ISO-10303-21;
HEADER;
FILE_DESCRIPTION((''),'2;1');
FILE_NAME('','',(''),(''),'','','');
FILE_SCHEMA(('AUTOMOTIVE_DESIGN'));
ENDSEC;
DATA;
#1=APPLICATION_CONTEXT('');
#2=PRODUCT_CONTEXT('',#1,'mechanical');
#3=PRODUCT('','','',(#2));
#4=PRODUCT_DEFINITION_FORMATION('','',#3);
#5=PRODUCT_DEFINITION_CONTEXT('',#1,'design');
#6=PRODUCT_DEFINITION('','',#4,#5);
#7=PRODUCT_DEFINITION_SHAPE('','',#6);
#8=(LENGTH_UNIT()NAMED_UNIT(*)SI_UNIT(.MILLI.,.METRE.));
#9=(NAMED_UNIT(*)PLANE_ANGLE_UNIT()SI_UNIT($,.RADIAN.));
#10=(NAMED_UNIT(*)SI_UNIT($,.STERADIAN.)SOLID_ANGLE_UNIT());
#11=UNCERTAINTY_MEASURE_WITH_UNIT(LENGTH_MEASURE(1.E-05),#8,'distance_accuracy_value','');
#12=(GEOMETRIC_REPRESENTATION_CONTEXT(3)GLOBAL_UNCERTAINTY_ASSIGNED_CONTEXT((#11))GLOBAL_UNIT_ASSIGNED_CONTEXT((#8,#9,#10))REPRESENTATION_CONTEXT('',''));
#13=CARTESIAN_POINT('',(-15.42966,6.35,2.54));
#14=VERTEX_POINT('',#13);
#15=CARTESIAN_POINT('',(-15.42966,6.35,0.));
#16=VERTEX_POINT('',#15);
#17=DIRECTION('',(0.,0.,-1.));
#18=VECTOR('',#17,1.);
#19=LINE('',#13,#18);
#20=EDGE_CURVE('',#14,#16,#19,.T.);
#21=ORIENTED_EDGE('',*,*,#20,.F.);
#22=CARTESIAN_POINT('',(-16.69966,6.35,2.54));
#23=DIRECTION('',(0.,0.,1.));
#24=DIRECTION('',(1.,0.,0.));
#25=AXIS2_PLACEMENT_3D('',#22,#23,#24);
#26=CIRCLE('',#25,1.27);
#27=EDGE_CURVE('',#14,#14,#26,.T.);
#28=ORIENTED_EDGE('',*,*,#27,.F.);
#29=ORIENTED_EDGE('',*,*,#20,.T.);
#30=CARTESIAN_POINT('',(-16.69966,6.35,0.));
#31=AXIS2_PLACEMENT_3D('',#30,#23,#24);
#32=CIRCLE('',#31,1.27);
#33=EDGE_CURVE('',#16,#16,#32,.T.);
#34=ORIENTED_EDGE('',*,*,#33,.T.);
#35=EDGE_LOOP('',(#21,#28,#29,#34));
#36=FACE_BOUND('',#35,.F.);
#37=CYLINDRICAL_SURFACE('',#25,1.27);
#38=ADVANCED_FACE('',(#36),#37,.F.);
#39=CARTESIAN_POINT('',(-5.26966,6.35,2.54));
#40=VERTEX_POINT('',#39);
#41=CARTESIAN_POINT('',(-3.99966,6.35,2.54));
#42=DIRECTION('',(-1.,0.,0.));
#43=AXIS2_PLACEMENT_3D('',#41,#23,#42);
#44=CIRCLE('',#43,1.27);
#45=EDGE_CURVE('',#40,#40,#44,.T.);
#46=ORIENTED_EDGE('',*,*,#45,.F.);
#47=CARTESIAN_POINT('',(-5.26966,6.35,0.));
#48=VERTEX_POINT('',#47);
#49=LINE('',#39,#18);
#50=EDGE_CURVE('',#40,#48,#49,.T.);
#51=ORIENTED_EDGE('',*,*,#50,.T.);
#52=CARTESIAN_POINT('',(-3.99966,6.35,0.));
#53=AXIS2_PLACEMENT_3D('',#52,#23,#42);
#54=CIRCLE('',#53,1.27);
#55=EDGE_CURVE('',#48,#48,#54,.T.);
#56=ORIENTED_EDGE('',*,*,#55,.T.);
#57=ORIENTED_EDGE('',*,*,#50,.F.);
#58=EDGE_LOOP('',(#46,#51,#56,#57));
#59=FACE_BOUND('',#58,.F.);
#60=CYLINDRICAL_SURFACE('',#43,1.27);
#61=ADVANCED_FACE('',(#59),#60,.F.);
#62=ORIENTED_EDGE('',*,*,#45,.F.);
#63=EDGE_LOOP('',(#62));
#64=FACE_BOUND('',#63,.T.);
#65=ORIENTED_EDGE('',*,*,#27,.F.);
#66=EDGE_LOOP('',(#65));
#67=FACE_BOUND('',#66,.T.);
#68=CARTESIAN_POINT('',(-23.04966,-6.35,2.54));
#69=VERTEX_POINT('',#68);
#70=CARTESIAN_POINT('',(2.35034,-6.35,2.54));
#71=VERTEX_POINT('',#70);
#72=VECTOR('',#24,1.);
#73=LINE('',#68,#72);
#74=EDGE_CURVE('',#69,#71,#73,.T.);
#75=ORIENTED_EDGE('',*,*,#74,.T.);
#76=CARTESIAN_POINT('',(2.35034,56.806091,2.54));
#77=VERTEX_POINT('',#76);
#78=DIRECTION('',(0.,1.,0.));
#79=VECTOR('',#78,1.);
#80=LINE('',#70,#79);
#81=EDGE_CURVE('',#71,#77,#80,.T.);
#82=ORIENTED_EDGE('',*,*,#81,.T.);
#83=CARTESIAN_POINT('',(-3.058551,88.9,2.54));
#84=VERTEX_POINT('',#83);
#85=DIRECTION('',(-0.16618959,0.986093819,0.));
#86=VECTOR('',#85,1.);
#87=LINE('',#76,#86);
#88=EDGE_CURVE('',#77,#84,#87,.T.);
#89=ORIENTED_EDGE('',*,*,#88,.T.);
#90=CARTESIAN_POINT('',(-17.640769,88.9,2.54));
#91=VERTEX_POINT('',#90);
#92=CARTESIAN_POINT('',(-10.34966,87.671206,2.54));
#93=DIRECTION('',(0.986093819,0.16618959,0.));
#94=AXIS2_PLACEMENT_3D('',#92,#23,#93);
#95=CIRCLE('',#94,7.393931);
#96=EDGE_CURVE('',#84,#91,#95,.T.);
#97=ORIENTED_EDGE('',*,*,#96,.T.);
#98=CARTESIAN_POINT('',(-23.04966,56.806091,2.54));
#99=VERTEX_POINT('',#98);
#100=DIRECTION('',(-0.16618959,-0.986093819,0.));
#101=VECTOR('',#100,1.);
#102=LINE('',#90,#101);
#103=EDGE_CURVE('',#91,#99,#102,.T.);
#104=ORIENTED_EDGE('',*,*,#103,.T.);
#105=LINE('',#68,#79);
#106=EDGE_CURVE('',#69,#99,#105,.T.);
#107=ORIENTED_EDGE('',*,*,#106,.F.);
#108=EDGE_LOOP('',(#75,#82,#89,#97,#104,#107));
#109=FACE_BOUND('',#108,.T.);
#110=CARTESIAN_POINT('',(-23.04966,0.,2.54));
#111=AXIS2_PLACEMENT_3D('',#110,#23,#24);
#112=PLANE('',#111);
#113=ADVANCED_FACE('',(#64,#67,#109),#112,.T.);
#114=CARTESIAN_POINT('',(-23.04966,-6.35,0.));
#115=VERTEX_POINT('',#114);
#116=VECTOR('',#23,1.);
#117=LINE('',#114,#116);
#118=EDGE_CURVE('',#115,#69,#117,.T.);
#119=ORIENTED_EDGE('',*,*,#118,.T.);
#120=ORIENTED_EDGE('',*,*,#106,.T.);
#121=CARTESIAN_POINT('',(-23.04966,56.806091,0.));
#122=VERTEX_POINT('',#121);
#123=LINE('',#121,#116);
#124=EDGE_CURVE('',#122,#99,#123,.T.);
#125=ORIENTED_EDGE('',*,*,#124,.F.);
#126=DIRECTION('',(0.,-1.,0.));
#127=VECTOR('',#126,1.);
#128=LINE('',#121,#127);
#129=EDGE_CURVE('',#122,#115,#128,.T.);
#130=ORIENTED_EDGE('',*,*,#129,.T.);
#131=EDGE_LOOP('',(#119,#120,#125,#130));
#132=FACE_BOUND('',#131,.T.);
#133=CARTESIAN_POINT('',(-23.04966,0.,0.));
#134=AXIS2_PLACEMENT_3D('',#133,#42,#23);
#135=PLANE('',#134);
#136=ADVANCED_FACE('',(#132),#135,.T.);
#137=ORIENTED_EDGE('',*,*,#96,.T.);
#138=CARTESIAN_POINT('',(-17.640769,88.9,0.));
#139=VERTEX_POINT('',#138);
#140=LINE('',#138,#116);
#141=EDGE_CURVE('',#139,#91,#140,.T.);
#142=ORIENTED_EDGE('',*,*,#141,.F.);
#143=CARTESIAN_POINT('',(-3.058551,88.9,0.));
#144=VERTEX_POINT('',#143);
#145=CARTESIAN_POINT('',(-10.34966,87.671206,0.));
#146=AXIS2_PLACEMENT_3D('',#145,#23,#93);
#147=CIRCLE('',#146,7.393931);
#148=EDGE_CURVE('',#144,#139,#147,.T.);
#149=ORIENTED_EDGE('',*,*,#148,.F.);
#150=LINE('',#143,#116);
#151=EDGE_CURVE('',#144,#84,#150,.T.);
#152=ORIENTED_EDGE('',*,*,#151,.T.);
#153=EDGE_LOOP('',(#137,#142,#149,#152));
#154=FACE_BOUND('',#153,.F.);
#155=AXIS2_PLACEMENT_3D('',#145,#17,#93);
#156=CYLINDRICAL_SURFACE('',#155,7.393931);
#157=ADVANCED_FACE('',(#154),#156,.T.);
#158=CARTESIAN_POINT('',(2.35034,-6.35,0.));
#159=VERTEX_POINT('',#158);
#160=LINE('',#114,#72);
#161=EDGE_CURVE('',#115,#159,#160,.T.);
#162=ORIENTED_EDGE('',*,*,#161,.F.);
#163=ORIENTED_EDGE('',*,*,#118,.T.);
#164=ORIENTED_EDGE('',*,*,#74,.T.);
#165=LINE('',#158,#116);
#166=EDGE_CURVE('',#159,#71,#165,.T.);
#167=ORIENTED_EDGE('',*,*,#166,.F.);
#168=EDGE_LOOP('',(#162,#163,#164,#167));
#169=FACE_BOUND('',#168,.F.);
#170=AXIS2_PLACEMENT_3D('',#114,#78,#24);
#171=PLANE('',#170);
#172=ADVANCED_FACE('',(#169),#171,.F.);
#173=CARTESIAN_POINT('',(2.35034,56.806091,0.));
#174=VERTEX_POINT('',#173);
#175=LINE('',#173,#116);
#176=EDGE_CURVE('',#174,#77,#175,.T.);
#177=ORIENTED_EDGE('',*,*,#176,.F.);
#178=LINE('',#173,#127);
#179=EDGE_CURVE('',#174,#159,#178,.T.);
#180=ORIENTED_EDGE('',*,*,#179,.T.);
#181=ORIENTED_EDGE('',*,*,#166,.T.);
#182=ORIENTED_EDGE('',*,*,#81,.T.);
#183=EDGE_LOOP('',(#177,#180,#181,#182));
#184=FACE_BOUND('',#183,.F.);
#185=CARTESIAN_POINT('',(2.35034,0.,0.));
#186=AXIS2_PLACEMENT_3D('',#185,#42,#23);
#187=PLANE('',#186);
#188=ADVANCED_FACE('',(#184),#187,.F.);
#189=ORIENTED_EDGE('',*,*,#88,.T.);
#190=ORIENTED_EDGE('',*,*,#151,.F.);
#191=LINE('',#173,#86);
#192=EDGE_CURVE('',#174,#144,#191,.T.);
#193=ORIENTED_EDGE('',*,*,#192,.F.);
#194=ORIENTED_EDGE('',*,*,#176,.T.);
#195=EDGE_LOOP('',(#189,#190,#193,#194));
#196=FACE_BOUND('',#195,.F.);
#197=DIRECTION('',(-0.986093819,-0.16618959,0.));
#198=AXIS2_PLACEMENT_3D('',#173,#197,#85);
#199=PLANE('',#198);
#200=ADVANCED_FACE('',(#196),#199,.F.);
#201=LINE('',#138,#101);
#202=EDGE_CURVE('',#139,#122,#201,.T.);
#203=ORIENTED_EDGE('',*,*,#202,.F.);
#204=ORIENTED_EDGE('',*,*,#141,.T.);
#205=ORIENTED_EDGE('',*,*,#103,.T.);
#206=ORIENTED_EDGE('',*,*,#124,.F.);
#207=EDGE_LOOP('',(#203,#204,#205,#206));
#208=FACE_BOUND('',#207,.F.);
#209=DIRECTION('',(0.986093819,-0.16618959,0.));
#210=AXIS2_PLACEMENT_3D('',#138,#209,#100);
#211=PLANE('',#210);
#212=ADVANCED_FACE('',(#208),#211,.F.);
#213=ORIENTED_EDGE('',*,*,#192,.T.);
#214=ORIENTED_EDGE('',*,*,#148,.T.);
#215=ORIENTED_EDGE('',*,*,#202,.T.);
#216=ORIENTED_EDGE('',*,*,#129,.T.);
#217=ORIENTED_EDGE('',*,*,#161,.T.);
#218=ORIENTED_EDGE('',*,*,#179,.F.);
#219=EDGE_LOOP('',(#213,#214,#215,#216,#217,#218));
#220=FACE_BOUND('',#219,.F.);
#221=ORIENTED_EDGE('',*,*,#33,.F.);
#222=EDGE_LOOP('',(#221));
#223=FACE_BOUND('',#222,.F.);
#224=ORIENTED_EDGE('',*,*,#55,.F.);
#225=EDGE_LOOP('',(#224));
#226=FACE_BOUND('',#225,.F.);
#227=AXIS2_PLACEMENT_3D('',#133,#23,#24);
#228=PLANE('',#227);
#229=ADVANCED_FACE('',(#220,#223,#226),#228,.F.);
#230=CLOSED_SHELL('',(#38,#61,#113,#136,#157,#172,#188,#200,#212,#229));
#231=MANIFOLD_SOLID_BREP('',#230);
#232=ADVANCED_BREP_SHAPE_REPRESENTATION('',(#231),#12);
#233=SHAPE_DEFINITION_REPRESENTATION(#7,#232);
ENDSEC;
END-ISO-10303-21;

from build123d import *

# Parameters (mm, degrees)
F1_DEPTH = 2.54
F2_R     = 1.27
F3_DEPTH = 25.4
F4_DEPTH = 6.35


with BuildPart() as f1:
    # F0 (on Top) → F1 (new body)
    with BuildSketch(Plane.XY):
        with BuildLine():
            Line((-17.6407694817, 88.9), (-3.0585505724, 88.9))
            ThreePointArc((-3.0585505724, 88.9), (-10.349660027, 95.0651364676), (-17.6407694817, 88.9))
        make_face()
        Polygon((-10.349660027, 0), (2.350339973, 0), (2.350339973, 56.8060912192), (-3.0585505724, 88.9), (-17.6407694817, 88.9), (-23.049660027, 56.8060912192), (-23.049660027, 0), align=None)
    extrude(amount=F1_DEPTH)

    # F2 (on face) → F3 (cut)
    with BuildSketch(Plane.XY.offset(2.54)):
        with Locations((-16.699660027, 6.35)):
            Circle(F2_R)
        with BuildLine():
            ThreePointArc((-2.729660027, 6.35), (-3.999660027, 7.62), (-5.269660027, 6.35))
            ThreePointArc((-5.269660027, 6.35), (-3.999660027, 5.08), (-2.729660027, 6.35))
        make_face()
    extrude(amount=-F3_DEPTH, mode=Mode.SUBTRACT)

    # F4 (add): a face of the model
    f4_faces = [f1.faces().sort_by_distance(p)[0] for p in [
        (-10.349660027, 0, 1.27),
    ]]
    extrude(f4_faces, amount=F4_DEPTH)


solid = f1.part
